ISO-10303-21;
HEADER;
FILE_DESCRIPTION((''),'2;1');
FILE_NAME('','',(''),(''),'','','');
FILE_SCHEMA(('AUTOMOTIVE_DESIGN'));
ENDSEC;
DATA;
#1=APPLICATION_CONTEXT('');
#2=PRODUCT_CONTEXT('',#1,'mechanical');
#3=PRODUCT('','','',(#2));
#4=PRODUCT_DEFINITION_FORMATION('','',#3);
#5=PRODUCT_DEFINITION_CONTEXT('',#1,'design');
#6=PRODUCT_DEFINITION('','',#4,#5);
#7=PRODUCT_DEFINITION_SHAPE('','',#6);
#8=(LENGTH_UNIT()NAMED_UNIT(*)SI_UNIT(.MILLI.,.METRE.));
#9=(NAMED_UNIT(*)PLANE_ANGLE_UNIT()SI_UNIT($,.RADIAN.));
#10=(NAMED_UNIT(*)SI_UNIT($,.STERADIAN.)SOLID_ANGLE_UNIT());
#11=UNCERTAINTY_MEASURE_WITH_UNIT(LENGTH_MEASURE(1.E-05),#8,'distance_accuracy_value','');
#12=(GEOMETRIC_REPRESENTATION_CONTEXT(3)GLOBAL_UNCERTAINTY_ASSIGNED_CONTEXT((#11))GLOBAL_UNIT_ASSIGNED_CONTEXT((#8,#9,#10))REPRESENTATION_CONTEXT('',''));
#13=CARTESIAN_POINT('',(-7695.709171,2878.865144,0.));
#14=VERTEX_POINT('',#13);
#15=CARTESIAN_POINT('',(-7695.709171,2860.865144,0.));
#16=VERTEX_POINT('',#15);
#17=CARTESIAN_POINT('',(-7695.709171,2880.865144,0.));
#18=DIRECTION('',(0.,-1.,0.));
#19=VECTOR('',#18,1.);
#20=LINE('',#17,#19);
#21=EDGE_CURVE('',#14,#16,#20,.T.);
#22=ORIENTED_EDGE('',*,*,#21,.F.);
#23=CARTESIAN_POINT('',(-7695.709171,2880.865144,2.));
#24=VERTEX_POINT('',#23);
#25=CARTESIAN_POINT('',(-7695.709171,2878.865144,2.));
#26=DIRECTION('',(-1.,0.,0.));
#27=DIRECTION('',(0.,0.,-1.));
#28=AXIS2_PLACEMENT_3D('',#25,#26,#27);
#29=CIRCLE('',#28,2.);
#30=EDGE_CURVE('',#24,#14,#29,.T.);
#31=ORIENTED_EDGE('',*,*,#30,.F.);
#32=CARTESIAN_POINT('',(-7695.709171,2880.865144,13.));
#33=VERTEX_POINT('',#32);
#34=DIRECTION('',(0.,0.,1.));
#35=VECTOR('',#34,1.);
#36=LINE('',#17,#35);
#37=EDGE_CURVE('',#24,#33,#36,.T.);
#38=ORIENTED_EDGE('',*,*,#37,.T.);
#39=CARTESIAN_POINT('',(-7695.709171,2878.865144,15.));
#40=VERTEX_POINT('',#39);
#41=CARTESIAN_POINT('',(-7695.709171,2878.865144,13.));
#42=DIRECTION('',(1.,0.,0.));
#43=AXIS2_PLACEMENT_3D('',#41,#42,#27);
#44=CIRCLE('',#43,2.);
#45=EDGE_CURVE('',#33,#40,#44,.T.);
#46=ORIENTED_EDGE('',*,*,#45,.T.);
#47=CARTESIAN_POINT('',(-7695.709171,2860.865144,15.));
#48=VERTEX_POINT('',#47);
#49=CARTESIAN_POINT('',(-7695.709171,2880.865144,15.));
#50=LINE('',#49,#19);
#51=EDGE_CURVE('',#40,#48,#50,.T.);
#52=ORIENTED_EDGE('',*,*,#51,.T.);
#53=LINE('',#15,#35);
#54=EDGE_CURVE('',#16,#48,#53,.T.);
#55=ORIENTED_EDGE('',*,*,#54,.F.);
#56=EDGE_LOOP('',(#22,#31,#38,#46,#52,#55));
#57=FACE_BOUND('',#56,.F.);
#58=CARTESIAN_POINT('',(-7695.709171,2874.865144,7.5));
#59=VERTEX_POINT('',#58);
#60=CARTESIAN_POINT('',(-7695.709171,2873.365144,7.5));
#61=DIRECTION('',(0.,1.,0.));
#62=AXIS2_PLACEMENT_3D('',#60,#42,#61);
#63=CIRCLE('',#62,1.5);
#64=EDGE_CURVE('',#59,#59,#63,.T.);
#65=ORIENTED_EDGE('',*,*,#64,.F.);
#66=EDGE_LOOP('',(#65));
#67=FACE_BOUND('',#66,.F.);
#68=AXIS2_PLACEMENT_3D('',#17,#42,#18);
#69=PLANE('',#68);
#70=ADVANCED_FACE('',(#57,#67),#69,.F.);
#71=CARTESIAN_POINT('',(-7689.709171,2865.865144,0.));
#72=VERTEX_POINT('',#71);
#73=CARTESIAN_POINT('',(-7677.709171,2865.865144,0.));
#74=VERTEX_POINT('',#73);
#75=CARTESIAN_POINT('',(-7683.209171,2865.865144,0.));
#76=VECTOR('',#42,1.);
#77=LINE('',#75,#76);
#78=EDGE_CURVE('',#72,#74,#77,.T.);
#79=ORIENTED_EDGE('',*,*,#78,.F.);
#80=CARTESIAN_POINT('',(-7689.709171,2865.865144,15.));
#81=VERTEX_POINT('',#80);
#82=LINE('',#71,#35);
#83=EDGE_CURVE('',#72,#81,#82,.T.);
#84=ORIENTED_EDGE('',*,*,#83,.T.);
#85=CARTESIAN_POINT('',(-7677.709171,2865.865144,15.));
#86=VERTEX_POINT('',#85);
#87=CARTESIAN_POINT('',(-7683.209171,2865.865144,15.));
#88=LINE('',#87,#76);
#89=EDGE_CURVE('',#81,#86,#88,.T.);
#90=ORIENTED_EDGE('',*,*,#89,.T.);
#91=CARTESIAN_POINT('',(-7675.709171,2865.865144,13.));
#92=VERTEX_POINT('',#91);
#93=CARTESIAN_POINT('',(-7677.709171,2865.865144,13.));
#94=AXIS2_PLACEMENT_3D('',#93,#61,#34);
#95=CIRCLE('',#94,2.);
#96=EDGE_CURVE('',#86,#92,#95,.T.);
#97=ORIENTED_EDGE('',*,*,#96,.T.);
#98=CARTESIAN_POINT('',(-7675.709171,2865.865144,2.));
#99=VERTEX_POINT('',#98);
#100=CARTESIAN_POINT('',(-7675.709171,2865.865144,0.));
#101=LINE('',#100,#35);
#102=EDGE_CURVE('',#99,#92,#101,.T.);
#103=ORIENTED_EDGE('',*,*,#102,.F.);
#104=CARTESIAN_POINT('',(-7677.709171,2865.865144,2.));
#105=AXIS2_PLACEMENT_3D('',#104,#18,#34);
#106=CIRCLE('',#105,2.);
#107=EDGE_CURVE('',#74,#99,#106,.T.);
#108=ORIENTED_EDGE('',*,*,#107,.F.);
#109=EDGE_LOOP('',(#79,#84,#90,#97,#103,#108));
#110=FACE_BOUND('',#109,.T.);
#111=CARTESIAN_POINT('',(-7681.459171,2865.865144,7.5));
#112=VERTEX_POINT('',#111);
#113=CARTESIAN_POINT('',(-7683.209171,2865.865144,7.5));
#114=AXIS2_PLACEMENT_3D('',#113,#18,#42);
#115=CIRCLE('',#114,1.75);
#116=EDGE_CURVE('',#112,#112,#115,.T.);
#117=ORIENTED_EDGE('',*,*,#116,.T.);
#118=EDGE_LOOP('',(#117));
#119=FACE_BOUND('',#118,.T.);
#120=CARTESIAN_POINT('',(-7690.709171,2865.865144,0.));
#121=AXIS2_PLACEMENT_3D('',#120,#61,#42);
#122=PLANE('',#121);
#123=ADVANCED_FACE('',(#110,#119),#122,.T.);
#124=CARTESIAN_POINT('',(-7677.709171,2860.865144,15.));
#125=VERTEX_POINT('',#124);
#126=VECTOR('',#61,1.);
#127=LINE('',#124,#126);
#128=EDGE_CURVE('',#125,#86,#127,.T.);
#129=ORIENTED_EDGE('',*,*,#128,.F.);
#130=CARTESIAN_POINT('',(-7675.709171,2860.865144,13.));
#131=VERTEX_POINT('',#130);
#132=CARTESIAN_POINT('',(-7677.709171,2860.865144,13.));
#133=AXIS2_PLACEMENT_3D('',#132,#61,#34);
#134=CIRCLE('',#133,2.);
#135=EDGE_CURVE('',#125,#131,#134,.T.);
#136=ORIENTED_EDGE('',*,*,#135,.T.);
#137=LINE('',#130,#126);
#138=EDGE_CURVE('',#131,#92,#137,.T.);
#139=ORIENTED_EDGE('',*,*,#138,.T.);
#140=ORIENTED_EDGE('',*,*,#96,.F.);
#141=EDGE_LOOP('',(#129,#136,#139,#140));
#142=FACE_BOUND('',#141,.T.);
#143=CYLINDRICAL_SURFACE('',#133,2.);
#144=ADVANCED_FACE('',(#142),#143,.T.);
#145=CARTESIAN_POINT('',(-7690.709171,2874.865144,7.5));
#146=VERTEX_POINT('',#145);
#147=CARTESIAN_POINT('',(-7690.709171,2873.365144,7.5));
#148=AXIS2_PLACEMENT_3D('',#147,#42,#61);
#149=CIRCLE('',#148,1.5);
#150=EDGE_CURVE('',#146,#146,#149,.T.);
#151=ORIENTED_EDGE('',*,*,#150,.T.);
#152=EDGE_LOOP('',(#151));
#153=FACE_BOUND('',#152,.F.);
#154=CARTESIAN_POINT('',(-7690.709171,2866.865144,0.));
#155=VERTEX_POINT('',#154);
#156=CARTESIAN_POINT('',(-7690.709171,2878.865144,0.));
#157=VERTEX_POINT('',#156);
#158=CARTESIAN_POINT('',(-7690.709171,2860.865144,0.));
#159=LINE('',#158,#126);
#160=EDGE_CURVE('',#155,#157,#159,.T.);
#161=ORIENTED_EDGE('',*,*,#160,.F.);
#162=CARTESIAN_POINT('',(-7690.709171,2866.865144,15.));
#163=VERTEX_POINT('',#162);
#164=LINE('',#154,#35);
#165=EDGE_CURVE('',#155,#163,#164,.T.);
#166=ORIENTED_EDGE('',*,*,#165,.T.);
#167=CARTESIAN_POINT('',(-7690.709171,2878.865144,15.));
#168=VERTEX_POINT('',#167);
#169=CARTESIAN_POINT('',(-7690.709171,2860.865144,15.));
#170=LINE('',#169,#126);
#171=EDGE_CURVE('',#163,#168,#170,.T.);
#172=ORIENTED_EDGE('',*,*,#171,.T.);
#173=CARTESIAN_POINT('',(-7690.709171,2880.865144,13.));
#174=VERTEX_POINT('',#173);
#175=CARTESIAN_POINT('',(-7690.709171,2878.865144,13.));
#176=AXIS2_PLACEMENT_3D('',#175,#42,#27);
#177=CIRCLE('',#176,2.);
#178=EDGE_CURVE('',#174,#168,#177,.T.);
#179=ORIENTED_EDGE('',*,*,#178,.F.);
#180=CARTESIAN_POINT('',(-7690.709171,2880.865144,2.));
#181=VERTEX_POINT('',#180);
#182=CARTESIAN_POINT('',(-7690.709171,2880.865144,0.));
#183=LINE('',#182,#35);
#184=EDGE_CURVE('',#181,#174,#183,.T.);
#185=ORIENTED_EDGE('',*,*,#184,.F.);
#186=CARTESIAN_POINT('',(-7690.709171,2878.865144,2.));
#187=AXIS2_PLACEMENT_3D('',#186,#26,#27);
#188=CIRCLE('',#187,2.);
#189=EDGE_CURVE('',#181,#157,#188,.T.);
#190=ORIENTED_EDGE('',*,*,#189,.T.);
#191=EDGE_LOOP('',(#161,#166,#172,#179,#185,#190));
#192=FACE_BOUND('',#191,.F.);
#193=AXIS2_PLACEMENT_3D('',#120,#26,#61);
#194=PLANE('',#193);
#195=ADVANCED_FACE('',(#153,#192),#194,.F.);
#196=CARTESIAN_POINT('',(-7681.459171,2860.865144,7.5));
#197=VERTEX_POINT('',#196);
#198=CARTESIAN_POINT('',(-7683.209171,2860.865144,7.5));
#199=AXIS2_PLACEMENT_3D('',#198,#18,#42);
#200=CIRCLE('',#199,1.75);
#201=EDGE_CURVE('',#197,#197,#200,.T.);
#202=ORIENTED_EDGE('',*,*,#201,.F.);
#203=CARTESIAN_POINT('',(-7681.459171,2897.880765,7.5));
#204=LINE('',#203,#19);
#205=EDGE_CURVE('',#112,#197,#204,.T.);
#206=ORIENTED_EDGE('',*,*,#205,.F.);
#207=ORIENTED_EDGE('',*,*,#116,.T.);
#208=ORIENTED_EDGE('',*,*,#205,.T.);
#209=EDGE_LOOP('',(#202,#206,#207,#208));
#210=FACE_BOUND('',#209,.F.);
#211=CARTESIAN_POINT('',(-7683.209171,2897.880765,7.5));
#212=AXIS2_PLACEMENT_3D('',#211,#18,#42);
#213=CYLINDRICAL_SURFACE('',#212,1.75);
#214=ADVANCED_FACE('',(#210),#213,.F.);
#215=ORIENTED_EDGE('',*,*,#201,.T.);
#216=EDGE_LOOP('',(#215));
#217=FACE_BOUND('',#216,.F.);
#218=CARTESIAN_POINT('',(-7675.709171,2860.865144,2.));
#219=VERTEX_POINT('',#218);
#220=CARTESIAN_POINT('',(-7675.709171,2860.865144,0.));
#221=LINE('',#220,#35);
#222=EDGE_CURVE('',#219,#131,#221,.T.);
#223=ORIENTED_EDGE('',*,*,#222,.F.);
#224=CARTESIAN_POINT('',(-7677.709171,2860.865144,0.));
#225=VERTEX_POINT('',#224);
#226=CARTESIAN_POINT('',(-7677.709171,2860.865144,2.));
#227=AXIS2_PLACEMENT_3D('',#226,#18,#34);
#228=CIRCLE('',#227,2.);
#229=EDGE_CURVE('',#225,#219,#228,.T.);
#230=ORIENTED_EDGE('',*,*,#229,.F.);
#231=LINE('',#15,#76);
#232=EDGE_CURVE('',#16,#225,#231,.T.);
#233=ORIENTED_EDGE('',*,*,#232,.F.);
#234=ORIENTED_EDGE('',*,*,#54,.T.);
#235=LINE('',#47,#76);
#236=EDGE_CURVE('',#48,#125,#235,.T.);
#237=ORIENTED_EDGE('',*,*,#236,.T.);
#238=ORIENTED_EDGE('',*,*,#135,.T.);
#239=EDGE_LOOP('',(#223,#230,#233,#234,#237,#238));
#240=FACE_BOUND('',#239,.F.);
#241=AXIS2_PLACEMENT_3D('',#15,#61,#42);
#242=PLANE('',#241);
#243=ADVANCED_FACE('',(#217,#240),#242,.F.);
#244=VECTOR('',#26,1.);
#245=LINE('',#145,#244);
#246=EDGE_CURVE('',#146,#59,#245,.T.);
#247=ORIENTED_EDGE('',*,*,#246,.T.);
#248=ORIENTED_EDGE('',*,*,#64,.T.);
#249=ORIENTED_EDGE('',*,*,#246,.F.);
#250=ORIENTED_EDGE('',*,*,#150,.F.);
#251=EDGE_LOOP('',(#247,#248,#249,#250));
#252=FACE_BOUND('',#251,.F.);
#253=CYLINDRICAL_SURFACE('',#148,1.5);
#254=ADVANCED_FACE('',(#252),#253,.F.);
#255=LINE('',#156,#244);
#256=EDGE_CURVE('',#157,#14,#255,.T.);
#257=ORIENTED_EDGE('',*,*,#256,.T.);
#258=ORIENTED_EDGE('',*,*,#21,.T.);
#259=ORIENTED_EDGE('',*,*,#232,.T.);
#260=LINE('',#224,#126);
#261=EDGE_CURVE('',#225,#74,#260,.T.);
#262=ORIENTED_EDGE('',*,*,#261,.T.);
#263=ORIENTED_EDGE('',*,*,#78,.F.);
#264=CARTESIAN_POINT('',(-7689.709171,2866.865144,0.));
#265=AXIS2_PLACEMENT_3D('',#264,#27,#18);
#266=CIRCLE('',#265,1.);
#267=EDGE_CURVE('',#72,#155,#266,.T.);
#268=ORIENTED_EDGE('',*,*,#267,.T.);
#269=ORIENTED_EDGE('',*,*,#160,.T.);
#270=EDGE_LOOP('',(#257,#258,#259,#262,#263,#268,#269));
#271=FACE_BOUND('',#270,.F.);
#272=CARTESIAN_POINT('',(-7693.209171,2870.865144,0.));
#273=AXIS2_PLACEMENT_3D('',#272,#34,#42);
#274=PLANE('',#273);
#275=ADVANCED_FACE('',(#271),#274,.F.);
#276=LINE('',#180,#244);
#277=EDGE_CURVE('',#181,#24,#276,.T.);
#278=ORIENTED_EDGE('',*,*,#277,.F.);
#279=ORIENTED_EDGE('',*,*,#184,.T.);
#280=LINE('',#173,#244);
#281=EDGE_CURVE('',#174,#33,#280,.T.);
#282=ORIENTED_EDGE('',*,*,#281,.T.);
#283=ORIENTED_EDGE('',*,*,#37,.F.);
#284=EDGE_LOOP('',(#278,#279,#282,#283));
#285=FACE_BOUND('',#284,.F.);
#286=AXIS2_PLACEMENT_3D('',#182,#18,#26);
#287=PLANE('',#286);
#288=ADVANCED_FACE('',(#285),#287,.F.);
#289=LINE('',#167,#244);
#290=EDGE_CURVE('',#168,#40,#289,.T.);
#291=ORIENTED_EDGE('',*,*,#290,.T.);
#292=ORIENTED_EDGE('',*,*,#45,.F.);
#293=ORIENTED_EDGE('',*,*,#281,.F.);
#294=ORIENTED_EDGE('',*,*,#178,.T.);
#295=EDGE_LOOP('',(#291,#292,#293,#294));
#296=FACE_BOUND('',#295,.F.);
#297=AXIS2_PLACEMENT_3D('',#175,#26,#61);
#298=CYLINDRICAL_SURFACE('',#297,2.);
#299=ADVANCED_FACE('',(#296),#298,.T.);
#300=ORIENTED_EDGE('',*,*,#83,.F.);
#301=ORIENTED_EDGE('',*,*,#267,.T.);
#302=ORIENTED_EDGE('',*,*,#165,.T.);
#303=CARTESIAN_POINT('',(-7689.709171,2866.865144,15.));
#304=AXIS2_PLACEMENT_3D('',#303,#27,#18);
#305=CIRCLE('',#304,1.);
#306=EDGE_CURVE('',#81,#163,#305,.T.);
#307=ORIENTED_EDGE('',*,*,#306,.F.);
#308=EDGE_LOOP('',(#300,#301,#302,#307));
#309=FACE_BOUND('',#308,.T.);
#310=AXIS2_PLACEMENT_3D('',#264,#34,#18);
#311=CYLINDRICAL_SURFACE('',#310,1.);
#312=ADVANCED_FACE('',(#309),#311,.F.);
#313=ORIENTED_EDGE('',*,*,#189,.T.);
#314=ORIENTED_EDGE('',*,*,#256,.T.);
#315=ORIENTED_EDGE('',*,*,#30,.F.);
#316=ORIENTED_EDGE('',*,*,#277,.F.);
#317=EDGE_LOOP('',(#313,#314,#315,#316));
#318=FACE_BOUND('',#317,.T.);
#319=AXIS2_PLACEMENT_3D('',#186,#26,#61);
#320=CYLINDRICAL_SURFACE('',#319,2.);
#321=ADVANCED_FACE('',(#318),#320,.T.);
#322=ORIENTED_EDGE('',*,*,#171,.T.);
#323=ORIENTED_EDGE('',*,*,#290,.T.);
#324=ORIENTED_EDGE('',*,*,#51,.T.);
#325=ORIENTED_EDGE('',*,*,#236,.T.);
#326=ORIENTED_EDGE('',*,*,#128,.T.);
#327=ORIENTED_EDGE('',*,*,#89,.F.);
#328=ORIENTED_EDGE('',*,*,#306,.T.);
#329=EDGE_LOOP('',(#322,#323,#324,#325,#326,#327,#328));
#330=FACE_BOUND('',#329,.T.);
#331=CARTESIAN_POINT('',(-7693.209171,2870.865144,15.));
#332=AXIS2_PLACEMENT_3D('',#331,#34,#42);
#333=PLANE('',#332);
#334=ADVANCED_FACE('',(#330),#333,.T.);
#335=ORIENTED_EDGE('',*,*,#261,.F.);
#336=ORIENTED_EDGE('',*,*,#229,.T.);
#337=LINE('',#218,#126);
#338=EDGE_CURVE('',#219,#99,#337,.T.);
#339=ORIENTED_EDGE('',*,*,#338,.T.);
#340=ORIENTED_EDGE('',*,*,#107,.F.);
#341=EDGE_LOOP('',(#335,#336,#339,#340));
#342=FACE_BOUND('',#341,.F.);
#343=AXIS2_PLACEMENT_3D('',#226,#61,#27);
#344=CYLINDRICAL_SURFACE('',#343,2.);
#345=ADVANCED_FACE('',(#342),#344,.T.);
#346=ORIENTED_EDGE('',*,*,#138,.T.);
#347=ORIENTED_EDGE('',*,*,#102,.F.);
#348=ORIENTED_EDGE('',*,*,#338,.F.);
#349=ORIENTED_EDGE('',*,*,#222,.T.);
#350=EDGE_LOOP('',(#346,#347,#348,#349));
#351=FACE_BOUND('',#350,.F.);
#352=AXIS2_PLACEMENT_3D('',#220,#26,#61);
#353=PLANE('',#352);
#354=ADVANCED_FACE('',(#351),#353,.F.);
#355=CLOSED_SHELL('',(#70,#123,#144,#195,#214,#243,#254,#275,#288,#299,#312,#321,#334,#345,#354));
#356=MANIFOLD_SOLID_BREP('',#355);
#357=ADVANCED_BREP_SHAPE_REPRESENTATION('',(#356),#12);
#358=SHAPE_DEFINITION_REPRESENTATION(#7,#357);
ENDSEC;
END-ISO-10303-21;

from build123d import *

# Parameters (mm, degrees)
F0_W     = 15
F0_H     = 5
F1_DEPTH = 15
F3_R     = 1.5
F4_DEPTH = 127
F5_D     = 3.5
F6_R     = 2
F7_R     = 2
F8_R     = 1


with BuildPart() as f1:
    # F0 (on Top) → F1 (new body)
    with BuildSketch(Plane.XY):
        Polygon((-7695.709171, 2880.865144), (-7695.709171, 2860.865144), (-7690.709171, 2860.865144), (-7690.709171, 2865.865144), (-7690.709171, 2880.865144), align=None)
        with Locations((-7683.209171, 2863.365144)):
            Rectangle(F0_W, F0_H)
    extrude(amount=F1_DEPTH)

    # F3 (on face) → F4 (cut)
    with BuildSketch(Plane.YZ.offset(-7690.709171)):
        with Locations((2873.365144, 7.5)):
            Circle(F3_R)
    extrude(amount=-F4_DEPTH, mode=Mode.SUBTRACT)

    # F5 (through all)
    with Locations(Plane(origin=(0, 2865.865144, 0), x_dir=(-1, 0, 0), z_dir=(0, 1, 0))):
        with Locations((7683.209171, 7.5)):
            Hole(F5_D / 2)

    # F6
    f6_edges = [f1.edges().sort_by_distance(p)[0] for p in [
        (-7693.209171, 2880.865144, 15),
        (-7693.209171, 2880.865144, 0),
    ]]
    fillet(f6_edges, radius=F6_R)

    # F7
    f7_edges = [f1.edges().sort_by_distance(p)[0] for p in [
        (-7675.709171, 2863.365144, 15),
        (-7675.709171, 2863.365144, 0),
    ]]
    fillet(f7_edges, radius=F7_R)

    # F8
    f8_edges = [f1.edges().sort_by_distance(p)[0] for p in [
        (-7690.709171, 2865.865144, 7.5),
    ]]
    fillet(f8_edges, radius=F8_R)


solid = f1.part
